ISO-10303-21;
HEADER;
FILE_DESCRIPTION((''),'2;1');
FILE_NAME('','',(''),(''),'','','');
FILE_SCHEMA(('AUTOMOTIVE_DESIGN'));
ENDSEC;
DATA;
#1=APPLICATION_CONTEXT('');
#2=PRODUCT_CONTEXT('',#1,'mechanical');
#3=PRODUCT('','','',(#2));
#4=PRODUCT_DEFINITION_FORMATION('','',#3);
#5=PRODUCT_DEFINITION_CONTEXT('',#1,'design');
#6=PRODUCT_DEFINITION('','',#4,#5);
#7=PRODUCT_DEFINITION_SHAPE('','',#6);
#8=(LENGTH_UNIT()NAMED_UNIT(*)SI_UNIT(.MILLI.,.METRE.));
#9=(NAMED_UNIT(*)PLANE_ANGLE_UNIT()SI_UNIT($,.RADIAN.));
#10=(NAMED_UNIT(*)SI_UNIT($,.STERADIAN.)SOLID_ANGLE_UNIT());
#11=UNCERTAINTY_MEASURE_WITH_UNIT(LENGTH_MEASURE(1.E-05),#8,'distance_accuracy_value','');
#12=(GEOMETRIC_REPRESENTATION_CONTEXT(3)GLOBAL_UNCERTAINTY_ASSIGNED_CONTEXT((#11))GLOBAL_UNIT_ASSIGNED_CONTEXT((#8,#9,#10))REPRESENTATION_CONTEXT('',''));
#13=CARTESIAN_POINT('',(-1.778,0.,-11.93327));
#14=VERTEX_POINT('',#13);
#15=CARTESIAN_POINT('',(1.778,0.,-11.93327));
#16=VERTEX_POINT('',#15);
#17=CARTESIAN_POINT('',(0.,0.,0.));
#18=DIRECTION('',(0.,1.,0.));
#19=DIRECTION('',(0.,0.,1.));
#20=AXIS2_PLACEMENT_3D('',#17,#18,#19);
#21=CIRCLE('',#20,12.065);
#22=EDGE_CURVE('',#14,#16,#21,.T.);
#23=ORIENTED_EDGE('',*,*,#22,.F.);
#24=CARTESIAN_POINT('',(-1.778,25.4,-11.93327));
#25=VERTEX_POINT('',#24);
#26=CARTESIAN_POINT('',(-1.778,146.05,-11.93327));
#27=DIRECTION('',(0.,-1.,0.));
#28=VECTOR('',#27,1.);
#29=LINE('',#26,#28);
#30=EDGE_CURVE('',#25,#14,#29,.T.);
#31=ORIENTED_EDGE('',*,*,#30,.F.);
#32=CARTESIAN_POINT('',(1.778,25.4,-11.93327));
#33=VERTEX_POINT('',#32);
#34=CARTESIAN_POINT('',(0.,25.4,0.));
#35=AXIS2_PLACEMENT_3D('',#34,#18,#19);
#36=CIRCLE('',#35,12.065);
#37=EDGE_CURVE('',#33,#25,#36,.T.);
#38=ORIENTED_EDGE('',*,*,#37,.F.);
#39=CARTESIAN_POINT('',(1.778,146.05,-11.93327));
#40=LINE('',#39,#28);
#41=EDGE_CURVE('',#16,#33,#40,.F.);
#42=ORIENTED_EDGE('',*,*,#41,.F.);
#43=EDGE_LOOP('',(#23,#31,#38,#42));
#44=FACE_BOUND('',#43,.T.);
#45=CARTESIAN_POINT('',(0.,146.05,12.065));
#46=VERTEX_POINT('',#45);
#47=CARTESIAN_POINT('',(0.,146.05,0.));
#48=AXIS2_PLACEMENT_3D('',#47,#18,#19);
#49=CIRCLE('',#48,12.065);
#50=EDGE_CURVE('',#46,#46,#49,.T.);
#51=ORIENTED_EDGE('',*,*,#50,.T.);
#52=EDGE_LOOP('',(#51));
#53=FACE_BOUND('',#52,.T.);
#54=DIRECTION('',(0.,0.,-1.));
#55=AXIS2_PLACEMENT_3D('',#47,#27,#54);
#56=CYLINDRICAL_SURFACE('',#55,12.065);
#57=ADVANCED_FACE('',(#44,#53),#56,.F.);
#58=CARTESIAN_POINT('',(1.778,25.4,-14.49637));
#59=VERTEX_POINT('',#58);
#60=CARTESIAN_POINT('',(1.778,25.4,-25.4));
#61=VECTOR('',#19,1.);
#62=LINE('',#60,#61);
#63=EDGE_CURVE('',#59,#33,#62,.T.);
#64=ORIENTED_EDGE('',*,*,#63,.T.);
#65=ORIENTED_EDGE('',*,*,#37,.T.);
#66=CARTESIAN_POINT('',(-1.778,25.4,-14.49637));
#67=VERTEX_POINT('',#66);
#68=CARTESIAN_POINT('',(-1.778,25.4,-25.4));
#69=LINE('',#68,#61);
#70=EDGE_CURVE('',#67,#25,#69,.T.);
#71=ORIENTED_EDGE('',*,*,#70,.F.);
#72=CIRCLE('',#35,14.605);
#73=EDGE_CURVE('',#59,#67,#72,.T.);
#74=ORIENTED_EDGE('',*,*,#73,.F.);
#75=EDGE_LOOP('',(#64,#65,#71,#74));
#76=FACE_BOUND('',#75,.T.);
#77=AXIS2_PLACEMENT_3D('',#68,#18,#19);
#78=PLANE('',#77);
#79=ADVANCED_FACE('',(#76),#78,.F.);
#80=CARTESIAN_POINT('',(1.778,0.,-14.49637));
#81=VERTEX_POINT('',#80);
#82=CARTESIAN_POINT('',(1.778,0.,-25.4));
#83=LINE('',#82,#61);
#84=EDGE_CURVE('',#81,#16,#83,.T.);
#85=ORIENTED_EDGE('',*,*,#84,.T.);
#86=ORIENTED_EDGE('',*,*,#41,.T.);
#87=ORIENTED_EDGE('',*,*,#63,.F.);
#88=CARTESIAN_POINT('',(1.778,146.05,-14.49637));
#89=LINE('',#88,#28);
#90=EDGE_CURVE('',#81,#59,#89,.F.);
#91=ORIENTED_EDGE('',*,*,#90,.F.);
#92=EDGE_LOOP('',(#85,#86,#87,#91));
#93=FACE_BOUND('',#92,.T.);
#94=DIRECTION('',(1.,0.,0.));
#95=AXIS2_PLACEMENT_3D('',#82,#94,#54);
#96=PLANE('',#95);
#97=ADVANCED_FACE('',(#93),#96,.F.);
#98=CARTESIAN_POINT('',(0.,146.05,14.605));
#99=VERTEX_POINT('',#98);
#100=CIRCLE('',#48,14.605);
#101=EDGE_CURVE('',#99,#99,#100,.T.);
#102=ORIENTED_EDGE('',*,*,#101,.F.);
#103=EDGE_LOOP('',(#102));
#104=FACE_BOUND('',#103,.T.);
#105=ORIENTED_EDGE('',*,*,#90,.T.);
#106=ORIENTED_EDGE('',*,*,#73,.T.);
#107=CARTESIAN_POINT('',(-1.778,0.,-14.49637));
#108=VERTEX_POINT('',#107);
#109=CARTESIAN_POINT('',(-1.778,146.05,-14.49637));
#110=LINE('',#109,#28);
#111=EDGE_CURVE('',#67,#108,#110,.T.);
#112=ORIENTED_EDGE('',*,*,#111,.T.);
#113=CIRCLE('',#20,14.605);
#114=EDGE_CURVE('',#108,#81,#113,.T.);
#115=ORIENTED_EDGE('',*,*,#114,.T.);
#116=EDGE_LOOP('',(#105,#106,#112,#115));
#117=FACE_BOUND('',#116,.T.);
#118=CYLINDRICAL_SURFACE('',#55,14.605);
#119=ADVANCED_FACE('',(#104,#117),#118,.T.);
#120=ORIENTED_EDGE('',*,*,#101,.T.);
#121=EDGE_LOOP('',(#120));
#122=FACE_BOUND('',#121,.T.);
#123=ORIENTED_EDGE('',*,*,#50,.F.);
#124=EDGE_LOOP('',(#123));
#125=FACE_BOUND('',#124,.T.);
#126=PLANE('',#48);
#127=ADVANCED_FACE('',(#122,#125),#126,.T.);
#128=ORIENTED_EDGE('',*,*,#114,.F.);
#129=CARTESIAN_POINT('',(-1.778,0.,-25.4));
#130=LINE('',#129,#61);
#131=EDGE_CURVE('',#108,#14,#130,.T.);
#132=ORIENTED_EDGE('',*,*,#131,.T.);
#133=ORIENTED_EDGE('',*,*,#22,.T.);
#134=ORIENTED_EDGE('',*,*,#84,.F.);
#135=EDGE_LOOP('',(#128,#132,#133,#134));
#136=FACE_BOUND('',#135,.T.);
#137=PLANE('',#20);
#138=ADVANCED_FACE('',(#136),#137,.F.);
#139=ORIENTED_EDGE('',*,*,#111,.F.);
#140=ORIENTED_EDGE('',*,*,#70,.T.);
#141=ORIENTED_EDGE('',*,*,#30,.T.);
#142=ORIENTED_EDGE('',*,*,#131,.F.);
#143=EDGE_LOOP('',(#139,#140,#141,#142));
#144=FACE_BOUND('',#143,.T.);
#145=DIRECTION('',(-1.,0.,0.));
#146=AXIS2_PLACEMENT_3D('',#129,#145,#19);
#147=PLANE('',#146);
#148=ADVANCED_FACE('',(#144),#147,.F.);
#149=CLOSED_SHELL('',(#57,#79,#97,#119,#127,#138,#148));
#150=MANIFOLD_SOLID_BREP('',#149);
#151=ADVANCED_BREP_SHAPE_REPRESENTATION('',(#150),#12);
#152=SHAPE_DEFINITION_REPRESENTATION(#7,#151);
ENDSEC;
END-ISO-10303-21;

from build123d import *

# Parameters (mm, degrees)
SKETCH1_R           = 14.605
SKETCH1_R_2         = 12.065
BOSS_EXTRUDE1_DEPTH = 146.05
SKETCH2_W           = 3.556
SKETCH2_H           = 25.4
CUT_EXTRUDE1_DEPTH  = 25.4


with BuildPart() as part:
    # Sketch1 → Boss-Extrude1 (new body)
    with BuildSketch(Plane(origin=(0, 0, 0), x_dir=(1, 0, 0), z_dir=(0, 1, 0))):
        with Locations(Location((0, 0, 0), (0, 0, 270))):
            Circle(SKETCH1_R)
        with Locations(Location((0, 0, 0), (0, 0, 270))):
            Circle(SKETCH1_R_2, mode=Mode.SUBTRACT)
    extrude(amount=BOSS_EXTRUDE1_DEPTH)

    # Sketch2 → Cut-Extrude1 (cut)
    with BuildSketch(Plane.XY):
        with Locations((0, 12.7)):
            Rectangle(SKETCH2_W, SKETCH2_H)
    extrude(amount=-CUT_EXTRUDE1_DEPTH, mode=Mode.SUBTRACT)


solid = part.part
